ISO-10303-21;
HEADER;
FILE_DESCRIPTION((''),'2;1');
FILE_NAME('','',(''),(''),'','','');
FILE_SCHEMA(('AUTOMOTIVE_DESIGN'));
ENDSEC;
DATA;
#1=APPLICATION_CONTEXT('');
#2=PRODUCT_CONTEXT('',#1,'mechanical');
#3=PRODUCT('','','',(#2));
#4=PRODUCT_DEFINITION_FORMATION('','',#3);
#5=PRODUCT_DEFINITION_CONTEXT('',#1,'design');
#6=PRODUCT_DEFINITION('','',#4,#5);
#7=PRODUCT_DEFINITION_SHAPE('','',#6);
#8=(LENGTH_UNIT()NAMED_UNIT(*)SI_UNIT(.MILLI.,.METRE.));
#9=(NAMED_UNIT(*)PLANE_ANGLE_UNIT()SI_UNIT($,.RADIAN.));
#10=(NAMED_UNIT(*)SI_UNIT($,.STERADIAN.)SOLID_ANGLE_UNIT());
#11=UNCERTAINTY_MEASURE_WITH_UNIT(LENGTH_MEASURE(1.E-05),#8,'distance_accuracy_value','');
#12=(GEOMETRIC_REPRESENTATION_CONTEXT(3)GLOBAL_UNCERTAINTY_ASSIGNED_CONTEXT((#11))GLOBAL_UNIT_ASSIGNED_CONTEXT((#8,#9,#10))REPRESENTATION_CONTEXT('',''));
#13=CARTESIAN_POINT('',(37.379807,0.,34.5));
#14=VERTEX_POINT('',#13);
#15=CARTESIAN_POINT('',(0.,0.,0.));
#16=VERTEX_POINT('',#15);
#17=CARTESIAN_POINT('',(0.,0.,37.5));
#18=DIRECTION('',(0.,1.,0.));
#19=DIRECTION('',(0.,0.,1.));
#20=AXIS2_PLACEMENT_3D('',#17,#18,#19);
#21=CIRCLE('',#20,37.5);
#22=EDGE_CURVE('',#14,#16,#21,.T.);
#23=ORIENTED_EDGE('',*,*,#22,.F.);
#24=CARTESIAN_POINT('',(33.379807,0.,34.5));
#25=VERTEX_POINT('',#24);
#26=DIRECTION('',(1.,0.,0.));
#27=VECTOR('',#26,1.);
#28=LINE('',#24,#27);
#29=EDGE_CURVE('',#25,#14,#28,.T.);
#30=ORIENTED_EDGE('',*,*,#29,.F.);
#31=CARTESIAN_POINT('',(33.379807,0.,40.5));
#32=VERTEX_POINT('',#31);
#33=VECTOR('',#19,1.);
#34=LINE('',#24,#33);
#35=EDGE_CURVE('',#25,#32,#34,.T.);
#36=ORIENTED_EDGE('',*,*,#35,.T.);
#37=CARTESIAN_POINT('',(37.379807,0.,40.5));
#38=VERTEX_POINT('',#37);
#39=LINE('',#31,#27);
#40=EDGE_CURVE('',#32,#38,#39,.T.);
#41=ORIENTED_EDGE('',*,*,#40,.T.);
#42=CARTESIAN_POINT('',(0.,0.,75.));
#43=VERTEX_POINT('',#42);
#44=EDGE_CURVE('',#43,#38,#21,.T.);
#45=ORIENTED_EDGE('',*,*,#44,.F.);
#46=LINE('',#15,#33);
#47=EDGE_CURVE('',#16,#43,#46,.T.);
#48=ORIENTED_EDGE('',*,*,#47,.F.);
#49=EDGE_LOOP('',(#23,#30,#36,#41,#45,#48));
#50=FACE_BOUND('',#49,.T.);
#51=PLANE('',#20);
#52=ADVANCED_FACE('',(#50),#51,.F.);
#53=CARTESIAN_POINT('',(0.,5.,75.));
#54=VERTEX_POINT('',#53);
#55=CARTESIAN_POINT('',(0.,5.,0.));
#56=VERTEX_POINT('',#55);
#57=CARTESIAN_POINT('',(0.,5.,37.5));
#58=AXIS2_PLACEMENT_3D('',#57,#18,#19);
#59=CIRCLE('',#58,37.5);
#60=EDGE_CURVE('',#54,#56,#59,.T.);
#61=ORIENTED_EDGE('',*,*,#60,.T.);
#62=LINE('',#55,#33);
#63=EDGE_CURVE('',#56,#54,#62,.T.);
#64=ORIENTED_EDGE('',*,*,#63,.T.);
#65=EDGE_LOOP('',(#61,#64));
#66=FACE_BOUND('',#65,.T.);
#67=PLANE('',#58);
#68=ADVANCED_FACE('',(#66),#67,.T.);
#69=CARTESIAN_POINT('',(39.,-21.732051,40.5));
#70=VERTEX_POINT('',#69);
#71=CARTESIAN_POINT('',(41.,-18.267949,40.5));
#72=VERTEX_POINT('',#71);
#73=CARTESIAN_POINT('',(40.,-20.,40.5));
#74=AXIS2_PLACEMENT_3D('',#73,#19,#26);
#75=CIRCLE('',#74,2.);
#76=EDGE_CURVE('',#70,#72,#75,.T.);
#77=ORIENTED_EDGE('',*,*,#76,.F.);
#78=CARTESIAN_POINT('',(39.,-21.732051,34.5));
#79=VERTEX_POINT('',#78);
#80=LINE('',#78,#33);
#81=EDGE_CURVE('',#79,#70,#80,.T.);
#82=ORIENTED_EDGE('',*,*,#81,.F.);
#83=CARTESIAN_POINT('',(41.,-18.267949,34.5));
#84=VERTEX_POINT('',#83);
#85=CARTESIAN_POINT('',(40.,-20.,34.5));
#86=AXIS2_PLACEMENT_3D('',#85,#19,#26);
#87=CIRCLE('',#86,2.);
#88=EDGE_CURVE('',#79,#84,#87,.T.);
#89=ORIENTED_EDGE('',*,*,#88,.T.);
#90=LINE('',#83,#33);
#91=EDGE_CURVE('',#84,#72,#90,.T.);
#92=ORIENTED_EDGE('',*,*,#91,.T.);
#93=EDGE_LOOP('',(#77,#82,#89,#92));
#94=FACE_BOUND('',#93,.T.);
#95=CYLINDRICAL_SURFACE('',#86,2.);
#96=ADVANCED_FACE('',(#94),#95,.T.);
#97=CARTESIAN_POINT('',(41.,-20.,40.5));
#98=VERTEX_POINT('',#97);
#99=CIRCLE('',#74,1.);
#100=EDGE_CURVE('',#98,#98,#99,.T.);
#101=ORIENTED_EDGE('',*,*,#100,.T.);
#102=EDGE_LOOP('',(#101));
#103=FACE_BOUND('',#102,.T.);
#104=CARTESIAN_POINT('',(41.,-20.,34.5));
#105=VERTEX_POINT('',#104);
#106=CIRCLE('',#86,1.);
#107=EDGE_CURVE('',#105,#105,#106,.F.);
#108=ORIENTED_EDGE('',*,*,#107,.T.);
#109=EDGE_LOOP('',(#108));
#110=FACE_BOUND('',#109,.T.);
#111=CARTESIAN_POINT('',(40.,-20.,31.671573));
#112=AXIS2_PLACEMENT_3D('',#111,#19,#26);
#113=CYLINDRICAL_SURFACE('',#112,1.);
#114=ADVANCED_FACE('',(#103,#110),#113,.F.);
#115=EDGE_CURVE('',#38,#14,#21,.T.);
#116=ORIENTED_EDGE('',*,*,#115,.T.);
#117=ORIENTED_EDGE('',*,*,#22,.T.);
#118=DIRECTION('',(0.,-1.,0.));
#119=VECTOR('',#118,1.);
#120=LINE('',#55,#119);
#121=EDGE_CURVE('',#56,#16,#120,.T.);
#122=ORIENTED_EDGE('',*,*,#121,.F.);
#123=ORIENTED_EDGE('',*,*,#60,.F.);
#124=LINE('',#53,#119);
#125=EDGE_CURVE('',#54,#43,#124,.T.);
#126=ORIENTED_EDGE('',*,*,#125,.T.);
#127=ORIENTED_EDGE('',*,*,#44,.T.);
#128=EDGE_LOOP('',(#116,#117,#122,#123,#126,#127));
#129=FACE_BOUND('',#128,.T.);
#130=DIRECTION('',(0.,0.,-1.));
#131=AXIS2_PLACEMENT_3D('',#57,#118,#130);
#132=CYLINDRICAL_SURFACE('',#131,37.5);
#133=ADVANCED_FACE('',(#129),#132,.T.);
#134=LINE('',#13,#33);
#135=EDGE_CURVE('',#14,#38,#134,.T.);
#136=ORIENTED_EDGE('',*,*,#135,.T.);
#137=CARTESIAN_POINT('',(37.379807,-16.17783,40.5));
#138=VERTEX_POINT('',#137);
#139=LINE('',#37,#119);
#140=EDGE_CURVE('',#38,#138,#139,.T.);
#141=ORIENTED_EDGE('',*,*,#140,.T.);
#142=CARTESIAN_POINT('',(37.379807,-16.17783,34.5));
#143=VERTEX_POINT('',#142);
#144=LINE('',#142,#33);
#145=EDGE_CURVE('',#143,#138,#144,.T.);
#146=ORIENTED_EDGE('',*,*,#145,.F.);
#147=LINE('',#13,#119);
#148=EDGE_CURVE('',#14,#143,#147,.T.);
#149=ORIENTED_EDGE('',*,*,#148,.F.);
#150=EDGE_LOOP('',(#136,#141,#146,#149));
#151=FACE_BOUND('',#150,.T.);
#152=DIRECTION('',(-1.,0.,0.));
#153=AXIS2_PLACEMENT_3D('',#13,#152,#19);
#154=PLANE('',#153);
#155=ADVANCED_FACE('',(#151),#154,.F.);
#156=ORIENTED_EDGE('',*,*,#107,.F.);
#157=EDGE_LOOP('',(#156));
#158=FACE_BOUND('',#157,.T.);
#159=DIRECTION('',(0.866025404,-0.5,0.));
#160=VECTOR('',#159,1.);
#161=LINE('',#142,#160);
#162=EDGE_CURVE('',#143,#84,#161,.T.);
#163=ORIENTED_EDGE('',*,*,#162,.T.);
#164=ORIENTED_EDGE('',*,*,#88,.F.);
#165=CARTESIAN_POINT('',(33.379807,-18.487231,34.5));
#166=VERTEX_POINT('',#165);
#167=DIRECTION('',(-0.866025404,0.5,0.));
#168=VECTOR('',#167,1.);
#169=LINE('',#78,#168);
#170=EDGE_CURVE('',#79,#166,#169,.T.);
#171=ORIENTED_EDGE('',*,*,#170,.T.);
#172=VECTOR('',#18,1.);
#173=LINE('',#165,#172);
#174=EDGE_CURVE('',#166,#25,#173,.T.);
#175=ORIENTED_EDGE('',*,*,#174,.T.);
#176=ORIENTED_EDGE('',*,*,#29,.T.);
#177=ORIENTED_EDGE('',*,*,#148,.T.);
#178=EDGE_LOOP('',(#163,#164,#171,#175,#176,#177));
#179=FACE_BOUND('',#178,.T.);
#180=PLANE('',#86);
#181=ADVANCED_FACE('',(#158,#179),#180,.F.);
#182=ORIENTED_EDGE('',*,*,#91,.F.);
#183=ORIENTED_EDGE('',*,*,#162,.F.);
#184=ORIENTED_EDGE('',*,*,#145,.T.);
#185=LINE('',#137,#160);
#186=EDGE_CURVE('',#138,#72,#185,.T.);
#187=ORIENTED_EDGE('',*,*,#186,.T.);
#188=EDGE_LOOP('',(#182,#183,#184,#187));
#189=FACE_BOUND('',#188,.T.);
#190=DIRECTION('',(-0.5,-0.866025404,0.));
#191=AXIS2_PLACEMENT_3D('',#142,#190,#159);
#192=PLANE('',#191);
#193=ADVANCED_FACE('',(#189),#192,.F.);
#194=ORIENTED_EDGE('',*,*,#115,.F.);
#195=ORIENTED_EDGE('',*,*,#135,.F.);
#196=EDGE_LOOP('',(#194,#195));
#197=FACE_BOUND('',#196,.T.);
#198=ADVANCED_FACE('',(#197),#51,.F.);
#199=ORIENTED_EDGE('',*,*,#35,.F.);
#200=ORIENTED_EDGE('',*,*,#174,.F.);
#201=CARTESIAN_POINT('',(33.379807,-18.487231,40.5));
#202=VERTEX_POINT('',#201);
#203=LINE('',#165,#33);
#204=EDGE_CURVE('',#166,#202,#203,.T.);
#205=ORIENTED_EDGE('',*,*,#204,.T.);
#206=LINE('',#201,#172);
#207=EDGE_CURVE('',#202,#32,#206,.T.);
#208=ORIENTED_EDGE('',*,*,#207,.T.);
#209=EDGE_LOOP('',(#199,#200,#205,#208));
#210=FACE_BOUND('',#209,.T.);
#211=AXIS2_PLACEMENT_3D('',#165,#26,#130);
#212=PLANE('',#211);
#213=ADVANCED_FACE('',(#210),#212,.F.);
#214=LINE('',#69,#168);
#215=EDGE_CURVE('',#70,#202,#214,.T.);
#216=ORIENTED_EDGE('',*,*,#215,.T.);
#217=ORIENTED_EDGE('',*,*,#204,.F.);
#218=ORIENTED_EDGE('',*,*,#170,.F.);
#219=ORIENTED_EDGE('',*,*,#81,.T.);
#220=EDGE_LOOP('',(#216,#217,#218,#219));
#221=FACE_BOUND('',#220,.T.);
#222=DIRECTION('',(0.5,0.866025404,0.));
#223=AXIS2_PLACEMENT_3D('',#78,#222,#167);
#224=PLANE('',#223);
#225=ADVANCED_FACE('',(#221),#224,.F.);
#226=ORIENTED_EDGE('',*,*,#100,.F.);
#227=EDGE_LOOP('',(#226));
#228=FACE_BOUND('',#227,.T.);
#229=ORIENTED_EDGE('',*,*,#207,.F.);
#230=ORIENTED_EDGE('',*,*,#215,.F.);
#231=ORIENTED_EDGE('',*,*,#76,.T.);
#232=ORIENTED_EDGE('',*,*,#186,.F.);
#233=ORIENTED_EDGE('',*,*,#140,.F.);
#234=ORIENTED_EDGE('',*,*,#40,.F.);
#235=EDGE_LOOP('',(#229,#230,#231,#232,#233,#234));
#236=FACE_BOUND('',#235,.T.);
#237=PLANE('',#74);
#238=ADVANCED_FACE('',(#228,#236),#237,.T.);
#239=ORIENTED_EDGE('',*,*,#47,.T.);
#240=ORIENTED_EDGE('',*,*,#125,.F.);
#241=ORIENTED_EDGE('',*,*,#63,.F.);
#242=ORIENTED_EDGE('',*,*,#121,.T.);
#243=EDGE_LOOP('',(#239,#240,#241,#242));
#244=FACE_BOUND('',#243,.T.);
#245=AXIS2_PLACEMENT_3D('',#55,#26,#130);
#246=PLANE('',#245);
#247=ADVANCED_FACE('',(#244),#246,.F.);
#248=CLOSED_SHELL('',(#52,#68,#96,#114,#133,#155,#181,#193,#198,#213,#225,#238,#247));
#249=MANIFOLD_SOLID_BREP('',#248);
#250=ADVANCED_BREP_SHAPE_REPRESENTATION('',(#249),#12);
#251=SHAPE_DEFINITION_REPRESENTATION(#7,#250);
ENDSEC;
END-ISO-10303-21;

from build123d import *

# Parameters (mm, degrees)
AUFSATZ_LINEAR_AUSTRAGEN1_DEPTH = 5
AUFSATZ_LINEAR_AUSTRAGEN2_DEPTH = 6
SKIZZE13_R                      = 1
SCHNITT_LINEAR_AUSTRAGEN1_DEPTH = 6


with BuildPart() as part:
    # Skizze1 → Aufsatz-Linear austragen1 (new body)
    with BuildSketch(Plane(origin=(0, 0, 0), x_dir=(1, 0, 0), z_dir=(0, 1, 0))):
        with BuildLine():
            Line((0, 0), (0, -75))
            ThreePointArc((0, -75), (37.5, -37.5), (0, 0))
        make_face()
    extrude(amount=AUFSATZ_LINEAR_AUSTRAGEN1_DEPTH)

    # Skizze12 → Aufsatz-Linear austragen2 (add)
    with BuildSketch(Plane(origin=(37.379807383, 0, 40.5), x_dir=(1, 0, 0), z_dir=(0, 0, 1))):
        with BuildLine():
            Line((0, 0), (0, -16.177830011))
            Line((0, -16.177830011), (3.620192617, -18.267949192))
            ThreePointArc((3.620192617, -18.267949192), (4.352243424, -21), (1.620192617, -21.732050808))
            Line((1.620192617, -21.732050808), (-4, -18.487231087))
            Line((-4, -18.487231087), (-4, 0))
            Line((-4, 0), (0, 0))
        make_face()
    extrude(amount=-AUFSATZ_LINEAR_AUSTRAGEN2_DEPTH)

    # Skizze13 → Schnitt-Linear austragen1 (cut)
    with BuildSketch(Plane(origin=(37.379807383, 0, 40.5), x_dir=(1, 0, 0), z_dir=(0, 0, 1))):
        with Locations((2.620192617, -20)):
            Circle(SKIZZE13_R)
    extrude(amount=-SCHNITT_LINEAR_AUSTRAGEN1_DEPTH, mode=Mode.SUBTRACT)


solid = part.part
